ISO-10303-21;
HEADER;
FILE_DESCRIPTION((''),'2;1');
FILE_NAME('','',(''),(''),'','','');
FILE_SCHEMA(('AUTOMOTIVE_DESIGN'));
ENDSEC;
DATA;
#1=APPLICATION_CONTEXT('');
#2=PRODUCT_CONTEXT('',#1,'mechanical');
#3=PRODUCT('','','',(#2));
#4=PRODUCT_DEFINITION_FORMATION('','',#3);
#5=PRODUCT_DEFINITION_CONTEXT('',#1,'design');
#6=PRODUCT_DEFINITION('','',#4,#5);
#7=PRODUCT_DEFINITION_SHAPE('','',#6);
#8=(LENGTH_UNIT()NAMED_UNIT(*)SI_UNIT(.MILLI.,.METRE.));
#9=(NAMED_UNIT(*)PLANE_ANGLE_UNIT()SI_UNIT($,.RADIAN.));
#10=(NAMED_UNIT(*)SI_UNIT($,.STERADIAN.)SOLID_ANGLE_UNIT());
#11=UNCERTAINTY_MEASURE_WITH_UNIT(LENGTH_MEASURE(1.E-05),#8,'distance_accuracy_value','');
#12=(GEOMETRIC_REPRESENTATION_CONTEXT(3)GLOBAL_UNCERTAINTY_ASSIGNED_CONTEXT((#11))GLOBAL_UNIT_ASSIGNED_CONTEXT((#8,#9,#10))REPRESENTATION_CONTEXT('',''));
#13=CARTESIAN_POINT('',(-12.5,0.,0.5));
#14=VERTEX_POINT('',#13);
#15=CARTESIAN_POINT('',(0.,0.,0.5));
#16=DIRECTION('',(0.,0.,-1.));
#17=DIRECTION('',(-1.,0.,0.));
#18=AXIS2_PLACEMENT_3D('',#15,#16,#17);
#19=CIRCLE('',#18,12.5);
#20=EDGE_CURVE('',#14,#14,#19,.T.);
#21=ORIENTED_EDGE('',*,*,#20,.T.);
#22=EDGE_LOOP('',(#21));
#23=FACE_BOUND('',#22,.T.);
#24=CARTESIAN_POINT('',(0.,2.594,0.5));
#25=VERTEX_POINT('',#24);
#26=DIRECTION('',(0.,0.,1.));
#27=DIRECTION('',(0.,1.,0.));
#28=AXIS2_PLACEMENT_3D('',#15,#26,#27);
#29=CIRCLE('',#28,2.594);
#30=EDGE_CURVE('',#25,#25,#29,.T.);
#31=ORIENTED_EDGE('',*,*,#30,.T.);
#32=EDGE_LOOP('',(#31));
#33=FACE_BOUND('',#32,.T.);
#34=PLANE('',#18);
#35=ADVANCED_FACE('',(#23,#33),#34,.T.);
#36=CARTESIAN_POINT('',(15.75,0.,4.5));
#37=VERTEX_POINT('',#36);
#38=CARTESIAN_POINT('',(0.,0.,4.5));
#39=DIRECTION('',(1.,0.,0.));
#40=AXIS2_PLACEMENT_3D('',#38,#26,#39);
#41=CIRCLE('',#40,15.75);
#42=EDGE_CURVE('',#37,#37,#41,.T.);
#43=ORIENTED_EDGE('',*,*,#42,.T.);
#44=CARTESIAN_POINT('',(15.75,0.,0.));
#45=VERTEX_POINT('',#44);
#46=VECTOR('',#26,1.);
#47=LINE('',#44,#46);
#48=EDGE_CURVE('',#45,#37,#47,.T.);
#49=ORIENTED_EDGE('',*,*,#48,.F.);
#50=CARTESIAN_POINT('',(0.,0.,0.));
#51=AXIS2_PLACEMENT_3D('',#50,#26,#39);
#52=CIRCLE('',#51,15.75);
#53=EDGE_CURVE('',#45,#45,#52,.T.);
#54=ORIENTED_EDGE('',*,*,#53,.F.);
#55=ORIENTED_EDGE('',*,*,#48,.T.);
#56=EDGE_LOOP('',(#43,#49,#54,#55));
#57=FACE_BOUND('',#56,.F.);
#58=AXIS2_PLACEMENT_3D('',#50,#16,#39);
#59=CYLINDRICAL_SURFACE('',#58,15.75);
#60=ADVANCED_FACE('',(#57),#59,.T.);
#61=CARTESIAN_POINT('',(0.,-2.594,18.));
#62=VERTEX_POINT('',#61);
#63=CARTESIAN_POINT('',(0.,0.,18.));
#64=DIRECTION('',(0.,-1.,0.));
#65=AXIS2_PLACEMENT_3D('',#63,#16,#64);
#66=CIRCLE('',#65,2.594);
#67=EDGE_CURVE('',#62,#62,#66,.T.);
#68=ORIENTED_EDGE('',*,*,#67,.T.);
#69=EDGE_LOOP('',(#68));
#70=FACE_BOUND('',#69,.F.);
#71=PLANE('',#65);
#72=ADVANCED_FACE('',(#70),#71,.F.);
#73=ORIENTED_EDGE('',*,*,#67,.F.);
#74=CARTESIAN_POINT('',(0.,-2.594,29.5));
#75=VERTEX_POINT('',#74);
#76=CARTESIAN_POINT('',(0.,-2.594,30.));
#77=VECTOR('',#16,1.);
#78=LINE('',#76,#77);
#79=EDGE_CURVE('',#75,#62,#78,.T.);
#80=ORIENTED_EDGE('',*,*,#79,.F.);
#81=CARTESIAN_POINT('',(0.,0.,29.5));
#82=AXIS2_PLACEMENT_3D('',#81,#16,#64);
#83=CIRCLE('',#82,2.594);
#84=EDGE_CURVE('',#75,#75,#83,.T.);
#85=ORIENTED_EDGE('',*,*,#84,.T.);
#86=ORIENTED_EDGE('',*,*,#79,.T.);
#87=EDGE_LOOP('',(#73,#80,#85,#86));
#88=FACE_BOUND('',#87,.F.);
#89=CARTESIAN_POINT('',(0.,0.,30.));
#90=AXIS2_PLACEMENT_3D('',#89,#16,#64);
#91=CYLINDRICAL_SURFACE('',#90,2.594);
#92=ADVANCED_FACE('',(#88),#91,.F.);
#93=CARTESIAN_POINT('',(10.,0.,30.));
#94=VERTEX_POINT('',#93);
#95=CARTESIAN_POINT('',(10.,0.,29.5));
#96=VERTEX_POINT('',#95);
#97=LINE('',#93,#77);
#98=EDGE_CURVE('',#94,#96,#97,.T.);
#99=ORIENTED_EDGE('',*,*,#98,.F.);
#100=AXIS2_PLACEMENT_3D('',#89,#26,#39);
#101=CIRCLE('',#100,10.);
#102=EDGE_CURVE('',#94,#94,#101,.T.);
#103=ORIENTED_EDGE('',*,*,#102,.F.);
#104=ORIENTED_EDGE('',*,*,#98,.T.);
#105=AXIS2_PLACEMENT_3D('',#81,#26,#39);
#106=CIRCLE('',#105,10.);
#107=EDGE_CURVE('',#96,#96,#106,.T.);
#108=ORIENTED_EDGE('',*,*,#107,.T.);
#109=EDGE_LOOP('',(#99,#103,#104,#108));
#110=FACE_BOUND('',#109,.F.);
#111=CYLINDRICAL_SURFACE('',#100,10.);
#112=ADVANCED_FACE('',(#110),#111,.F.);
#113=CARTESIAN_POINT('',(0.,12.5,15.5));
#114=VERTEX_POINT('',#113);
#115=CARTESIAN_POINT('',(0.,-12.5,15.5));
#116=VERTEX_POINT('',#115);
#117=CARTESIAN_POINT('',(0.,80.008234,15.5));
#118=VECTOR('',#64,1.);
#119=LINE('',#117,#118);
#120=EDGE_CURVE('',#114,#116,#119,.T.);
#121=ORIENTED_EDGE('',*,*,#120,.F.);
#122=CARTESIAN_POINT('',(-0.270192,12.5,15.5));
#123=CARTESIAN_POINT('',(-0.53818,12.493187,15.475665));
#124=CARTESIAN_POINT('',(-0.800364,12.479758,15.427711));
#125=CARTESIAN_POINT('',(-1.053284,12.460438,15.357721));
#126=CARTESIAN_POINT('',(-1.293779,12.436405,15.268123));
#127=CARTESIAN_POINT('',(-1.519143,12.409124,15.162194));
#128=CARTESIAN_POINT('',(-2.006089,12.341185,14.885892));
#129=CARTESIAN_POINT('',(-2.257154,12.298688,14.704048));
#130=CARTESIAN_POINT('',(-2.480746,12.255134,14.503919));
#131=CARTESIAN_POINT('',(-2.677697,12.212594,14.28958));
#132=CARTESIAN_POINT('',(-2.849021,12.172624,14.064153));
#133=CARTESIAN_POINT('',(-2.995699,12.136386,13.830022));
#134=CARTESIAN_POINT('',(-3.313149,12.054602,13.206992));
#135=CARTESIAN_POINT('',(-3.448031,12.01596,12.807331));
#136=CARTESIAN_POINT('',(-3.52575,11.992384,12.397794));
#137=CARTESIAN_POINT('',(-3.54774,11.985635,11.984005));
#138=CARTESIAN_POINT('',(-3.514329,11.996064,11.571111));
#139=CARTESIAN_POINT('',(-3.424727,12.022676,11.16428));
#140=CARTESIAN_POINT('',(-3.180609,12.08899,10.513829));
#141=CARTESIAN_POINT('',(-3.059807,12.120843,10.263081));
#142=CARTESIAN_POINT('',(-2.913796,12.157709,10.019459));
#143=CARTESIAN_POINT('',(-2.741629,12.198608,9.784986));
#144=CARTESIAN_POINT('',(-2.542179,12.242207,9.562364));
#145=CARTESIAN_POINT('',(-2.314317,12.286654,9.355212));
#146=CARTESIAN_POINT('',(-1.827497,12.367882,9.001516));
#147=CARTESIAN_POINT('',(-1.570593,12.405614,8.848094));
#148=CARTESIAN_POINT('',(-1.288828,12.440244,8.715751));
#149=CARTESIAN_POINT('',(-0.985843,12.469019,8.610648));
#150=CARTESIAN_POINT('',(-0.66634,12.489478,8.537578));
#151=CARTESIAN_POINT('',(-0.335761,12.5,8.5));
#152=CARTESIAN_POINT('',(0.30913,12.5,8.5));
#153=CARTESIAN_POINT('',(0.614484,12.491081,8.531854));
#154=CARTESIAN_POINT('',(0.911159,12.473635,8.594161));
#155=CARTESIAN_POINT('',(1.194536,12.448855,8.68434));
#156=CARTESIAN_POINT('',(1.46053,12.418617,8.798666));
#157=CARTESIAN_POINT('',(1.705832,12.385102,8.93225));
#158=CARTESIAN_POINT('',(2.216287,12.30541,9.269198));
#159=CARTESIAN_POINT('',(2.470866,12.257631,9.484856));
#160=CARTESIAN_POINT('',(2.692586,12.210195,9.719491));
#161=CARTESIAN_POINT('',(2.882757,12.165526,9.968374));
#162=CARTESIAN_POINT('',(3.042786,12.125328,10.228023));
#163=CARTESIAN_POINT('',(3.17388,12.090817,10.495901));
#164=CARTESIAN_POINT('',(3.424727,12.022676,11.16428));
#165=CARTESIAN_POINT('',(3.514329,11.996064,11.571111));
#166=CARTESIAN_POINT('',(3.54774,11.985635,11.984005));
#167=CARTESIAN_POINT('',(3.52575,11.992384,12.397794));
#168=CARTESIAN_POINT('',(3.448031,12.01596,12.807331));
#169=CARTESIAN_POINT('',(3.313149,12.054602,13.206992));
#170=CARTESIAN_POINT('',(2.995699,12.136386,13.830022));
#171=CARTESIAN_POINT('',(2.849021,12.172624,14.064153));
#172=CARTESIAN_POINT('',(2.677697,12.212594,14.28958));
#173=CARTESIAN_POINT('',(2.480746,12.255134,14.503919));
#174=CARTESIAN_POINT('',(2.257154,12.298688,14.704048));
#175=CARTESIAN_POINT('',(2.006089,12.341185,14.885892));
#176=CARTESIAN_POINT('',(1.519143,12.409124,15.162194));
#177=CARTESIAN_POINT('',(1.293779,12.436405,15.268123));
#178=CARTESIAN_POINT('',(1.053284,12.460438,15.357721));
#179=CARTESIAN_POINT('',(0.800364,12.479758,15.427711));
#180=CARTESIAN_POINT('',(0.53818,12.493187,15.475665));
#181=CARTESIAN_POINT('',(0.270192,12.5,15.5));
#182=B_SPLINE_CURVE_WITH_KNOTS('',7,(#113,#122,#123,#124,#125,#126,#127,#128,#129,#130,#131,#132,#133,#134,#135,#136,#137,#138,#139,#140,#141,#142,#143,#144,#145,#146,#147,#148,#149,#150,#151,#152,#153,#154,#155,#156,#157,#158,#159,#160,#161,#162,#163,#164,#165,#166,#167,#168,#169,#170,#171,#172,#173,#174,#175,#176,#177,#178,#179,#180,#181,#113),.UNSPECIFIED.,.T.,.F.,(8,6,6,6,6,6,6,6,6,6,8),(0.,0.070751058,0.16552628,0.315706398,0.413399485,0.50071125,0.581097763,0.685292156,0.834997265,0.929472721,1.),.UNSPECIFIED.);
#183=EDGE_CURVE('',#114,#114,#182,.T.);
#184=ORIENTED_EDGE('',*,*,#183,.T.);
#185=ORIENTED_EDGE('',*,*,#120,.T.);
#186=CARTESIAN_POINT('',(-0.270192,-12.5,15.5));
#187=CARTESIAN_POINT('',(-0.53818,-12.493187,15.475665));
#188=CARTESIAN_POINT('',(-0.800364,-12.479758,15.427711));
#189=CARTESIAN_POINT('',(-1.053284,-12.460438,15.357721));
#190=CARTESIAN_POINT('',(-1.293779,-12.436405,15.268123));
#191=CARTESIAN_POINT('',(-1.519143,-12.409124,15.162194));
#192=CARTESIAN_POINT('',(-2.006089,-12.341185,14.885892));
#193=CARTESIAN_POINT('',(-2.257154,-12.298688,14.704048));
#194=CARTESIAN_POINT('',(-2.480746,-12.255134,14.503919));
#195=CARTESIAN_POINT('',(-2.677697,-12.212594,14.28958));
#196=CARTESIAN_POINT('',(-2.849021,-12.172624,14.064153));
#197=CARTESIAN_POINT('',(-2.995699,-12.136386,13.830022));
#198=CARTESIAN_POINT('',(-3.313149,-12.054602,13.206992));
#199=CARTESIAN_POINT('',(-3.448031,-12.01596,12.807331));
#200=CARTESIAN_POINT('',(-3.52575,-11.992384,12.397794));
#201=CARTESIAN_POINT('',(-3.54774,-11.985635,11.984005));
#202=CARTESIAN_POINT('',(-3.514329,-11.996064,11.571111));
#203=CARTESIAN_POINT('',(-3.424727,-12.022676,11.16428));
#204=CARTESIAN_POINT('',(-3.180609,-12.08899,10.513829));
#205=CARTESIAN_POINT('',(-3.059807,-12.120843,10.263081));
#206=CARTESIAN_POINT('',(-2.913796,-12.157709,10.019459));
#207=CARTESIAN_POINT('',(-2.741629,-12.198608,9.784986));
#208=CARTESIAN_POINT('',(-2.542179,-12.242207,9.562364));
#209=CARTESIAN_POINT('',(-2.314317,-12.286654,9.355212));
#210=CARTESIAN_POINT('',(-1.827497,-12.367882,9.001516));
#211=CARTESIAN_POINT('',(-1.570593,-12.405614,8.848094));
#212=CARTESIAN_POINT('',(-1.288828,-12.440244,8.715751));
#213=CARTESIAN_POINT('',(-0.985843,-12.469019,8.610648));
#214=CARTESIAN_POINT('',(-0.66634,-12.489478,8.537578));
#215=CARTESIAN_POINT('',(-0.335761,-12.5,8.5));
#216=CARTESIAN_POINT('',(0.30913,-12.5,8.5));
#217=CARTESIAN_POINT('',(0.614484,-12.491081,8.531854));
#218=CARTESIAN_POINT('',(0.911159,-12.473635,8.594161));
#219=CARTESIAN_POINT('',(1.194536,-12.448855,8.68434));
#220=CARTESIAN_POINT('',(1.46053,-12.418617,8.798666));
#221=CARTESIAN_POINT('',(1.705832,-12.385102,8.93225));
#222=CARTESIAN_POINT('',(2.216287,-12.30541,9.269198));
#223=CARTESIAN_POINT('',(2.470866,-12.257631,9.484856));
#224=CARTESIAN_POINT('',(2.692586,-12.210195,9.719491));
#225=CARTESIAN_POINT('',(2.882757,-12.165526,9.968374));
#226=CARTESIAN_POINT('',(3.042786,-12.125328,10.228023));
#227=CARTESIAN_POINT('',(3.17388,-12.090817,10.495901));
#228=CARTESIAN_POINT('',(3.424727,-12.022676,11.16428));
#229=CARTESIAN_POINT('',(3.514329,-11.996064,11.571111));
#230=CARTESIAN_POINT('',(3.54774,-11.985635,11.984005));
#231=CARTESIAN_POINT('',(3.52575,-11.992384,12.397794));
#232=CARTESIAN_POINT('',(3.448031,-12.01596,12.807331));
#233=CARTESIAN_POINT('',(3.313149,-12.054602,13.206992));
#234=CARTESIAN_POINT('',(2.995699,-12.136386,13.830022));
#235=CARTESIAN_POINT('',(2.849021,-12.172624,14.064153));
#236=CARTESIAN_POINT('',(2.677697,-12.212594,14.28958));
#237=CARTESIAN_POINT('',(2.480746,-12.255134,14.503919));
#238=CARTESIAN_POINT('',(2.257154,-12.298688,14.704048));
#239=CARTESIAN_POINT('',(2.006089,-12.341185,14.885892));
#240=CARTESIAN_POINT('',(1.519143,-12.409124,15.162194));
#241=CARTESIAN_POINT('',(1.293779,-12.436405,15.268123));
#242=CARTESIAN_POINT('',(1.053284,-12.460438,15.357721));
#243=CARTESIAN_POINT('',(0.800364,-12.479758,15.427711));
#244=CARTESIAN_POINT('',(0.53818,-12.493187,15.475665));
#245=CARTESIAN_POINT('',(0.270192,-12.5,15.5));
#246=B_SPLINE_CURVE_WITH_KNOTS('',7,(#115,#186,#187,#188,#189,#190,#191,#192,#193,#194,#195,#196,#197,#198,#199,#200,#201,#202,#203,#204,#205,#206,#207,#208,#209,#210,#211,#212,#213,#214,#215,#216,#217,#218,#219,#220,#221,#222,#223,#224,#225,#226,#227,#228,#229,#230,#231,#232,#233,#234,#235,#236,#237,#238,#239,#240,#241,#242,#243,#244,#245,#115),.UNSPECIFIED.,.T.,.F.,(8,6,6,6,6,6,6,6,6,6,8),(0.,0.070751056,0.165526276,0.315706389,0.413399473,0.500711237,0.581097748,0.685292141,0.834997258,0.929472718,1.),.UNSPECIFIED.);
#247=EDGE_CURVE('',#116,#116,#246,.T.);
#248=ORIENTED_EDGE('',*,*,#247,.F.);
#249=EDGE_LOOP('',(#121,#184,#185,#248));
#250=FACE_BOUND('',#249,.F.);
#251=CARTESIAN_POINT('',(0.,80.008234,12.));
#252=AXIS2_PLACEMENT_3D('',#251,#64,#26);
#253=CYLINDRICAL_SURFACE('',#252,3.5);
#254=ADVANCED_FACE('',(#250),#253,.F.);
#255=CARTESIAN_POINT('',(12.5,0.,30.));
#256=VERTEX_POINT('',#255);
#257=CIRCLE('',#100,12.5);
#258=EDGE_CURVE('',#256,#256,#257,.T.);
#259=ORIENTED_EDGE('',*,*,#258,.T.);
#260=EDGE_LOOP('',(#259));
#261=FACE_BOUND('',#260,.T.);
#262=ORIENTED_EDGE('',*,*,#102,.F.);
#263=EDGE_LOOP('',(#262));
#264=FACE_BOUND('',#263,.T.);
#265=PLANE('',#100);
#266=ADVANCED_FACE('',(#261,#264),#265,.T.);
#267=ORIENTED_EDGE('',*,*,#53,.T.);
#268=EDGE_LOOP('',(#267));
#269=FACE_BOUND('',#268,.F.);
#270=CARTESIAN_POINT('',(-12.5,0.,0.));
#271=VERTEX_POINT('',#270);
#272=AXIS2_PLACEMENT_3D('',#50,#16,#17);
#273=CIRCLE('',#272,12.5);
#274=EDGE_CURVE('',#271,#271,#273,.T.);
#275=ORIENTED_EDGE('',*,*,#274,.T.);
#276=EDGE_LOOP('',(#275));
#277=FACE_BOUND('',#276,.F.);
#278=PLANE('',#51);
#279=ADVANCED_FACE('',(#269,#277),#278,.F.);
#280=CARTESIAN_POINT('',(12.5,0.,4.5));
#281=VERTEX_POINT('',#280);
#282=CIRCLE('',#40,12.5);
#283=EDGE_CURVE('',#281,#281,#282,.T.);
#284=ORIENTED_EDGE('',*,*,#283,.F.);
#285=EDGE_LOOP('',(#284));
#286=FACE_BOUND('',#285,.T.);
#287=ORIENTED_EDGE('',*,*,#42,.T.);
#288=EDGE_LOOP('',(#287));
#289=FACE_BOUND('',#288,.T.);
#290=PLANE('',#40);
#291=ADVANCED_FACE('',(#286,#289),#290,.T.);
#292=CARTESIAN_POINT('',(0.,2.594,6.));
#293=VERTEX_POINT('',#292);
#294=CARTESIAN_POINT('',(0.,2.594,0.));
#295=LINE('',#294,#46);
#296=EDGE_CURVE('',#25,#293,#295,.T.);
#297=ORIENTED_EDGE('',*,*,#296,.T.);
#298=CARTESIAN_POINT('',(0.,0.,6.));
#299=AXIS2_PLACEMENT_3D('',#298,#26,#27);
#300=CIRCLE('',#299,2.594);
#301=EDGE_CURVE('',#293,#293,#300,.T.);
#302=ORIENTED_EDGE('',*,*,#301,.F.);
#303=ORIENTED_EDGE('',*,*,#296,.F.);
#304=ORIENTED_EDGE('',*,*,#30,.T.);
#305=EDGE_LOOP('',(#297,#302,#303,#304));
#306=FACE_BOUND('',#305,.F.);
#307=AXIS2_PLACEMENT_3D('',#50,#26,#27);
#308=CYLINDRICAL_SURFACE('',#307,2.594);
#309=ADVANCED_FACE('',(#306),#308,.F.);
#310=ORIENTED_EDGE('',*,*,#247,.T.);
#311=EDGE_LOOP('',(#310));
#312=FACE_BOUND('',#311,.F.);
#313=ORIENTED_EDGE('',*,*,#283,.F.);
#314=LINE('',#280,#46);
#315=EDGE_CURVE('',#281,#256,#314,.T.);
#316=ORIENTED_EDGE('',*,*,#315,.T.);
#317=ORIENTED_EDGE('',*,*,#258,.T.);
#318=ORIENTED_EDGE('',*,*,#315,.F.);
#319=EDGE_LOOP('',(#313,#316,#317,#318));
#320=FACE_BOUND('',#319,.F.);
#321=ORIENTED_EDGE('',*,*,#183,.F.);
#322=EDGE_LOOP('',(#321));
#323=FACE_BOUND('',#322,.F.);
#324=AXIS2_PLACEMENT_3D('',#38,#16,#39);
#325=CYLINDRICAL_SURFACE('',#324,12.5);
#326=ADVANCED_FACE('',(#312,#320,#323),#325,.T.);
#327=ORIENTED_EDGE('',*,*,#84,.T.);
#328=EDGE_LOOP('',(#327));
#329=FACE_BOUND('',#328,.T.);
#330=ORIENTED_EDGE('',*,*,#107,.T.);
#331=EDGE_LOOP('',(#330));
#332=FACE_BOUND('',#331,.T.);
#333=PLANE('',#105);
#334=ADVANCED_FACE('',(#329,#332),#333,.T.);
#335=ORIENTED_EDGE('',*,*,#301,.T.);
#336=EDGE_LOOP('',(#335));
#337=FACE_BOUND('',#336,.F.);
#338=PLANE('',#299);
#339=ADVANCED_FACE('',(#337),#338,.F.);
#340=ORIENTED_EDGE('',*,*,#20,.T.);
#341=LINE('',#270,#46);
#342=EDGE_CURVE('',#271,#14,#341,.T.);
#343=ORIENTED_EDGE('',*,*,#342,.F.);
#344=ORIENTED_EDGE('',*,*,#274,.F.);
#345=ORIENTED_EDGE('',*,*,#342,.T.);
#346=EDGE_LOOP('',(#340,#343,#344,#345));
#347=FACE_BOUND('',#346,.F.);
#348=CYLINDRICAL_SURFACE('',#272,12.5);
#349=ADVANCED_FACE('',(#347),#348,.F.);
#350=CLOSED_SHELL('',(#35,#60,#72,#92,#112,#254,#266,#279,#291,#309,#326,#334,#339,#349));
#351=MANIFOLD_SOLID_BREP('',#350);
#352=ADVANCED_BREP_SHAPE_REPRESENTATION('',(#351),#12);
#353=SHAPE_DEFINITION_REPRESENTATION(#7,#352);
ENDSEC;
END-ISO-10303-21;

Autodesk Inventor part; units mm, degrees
ref_plane "YZ Plane" through (0, 0, 0) normal (1, 0, 0) x (0, 1, 0)
ref_plane "XZ Plane" through (0, 0, 0) normal (0, 1, 0) x (-1, 0, 0)
ref_plane "XY Plane" through (0, 0, 0) normal (0, 0, 1) x (1, 0, 0)
sketch "Sketch1" plane through (0, 0, 0) normal (0, 0, 1) x (1, 0, 0)
  circle A0 centre (0, 0) radius 15.75
  dimension "d0" = 31.5
extrude "Extrusion1" add sketch "Sketch1" along normal blind 4.5
sketch "Sketch2" plane through (0, 0, 4.5) normal (0, 0, 1) x (1, 0, 0)
  circle A0 centre (0, 0) radius 12.5
  dimension "d3" = 25
extrude "Extrusion2" add sketch "Sketch2" along normal blind 25.5
sketch "Sketch3" plane through (0, 0, 30) normal (0, 0, 1) x (1, 0, 0)
  point P0 (0, 0)
  point P1 (0, 0)
hole "Hole1" at (0, 0, 30) direction (0, 0, -1) diameter 5.188 depth 12 thread size "M6x0.75" class "6H" standard "ANSI Metric M Profile"
sketch "Sketch4" plane through (0, 0, 0) normal (0, 0, -1) x (-1, 0, 0)
  point P0 (0, 0)
  point P1 (0, 0)
hole "Hole2" at (0, 0, 0) direction (0, 0, 1) diameter 5.188 depth 6 thread size "M6x0.75" class "6H" standard "ANSI Metric M Profile"
sketch "Sketch5" plane through (0, 0, 0) normal (0, 1, 0) x (-1, 0, 0)
  line L0 (15.75, 4.5) -> (-15.75, 4.5) projected
  point P0 (0, 0)
  point P1 (0, 12)
  dimension "d24" = 12
  dimension "d25" = 7.5
hole "Hole3" at (0, 0, 12) direction (0, -1, 0) diameter 7 end through all both
sketch "Sketch6" plane through (0, 0, 30) normal (0, 0, 1) x (1, 0, 0)
  circle A0 centre (0, 0) radius 10
  dimension "d33" = 20
extrude "Extrusion3" cut sketch "Sketch6" against normal blind 0.5
sketch "Sketch7" plane through (0, 0, 0) normal (0, 0, -1) x (-1, 0, 0)
  circle A0 centre (0, 0) radius 12.5
  dimension "d36" = 25
extrude "Extrusion4" cut sketch "Sketch7" against normal blind 0.5
properties part number "Poste"
